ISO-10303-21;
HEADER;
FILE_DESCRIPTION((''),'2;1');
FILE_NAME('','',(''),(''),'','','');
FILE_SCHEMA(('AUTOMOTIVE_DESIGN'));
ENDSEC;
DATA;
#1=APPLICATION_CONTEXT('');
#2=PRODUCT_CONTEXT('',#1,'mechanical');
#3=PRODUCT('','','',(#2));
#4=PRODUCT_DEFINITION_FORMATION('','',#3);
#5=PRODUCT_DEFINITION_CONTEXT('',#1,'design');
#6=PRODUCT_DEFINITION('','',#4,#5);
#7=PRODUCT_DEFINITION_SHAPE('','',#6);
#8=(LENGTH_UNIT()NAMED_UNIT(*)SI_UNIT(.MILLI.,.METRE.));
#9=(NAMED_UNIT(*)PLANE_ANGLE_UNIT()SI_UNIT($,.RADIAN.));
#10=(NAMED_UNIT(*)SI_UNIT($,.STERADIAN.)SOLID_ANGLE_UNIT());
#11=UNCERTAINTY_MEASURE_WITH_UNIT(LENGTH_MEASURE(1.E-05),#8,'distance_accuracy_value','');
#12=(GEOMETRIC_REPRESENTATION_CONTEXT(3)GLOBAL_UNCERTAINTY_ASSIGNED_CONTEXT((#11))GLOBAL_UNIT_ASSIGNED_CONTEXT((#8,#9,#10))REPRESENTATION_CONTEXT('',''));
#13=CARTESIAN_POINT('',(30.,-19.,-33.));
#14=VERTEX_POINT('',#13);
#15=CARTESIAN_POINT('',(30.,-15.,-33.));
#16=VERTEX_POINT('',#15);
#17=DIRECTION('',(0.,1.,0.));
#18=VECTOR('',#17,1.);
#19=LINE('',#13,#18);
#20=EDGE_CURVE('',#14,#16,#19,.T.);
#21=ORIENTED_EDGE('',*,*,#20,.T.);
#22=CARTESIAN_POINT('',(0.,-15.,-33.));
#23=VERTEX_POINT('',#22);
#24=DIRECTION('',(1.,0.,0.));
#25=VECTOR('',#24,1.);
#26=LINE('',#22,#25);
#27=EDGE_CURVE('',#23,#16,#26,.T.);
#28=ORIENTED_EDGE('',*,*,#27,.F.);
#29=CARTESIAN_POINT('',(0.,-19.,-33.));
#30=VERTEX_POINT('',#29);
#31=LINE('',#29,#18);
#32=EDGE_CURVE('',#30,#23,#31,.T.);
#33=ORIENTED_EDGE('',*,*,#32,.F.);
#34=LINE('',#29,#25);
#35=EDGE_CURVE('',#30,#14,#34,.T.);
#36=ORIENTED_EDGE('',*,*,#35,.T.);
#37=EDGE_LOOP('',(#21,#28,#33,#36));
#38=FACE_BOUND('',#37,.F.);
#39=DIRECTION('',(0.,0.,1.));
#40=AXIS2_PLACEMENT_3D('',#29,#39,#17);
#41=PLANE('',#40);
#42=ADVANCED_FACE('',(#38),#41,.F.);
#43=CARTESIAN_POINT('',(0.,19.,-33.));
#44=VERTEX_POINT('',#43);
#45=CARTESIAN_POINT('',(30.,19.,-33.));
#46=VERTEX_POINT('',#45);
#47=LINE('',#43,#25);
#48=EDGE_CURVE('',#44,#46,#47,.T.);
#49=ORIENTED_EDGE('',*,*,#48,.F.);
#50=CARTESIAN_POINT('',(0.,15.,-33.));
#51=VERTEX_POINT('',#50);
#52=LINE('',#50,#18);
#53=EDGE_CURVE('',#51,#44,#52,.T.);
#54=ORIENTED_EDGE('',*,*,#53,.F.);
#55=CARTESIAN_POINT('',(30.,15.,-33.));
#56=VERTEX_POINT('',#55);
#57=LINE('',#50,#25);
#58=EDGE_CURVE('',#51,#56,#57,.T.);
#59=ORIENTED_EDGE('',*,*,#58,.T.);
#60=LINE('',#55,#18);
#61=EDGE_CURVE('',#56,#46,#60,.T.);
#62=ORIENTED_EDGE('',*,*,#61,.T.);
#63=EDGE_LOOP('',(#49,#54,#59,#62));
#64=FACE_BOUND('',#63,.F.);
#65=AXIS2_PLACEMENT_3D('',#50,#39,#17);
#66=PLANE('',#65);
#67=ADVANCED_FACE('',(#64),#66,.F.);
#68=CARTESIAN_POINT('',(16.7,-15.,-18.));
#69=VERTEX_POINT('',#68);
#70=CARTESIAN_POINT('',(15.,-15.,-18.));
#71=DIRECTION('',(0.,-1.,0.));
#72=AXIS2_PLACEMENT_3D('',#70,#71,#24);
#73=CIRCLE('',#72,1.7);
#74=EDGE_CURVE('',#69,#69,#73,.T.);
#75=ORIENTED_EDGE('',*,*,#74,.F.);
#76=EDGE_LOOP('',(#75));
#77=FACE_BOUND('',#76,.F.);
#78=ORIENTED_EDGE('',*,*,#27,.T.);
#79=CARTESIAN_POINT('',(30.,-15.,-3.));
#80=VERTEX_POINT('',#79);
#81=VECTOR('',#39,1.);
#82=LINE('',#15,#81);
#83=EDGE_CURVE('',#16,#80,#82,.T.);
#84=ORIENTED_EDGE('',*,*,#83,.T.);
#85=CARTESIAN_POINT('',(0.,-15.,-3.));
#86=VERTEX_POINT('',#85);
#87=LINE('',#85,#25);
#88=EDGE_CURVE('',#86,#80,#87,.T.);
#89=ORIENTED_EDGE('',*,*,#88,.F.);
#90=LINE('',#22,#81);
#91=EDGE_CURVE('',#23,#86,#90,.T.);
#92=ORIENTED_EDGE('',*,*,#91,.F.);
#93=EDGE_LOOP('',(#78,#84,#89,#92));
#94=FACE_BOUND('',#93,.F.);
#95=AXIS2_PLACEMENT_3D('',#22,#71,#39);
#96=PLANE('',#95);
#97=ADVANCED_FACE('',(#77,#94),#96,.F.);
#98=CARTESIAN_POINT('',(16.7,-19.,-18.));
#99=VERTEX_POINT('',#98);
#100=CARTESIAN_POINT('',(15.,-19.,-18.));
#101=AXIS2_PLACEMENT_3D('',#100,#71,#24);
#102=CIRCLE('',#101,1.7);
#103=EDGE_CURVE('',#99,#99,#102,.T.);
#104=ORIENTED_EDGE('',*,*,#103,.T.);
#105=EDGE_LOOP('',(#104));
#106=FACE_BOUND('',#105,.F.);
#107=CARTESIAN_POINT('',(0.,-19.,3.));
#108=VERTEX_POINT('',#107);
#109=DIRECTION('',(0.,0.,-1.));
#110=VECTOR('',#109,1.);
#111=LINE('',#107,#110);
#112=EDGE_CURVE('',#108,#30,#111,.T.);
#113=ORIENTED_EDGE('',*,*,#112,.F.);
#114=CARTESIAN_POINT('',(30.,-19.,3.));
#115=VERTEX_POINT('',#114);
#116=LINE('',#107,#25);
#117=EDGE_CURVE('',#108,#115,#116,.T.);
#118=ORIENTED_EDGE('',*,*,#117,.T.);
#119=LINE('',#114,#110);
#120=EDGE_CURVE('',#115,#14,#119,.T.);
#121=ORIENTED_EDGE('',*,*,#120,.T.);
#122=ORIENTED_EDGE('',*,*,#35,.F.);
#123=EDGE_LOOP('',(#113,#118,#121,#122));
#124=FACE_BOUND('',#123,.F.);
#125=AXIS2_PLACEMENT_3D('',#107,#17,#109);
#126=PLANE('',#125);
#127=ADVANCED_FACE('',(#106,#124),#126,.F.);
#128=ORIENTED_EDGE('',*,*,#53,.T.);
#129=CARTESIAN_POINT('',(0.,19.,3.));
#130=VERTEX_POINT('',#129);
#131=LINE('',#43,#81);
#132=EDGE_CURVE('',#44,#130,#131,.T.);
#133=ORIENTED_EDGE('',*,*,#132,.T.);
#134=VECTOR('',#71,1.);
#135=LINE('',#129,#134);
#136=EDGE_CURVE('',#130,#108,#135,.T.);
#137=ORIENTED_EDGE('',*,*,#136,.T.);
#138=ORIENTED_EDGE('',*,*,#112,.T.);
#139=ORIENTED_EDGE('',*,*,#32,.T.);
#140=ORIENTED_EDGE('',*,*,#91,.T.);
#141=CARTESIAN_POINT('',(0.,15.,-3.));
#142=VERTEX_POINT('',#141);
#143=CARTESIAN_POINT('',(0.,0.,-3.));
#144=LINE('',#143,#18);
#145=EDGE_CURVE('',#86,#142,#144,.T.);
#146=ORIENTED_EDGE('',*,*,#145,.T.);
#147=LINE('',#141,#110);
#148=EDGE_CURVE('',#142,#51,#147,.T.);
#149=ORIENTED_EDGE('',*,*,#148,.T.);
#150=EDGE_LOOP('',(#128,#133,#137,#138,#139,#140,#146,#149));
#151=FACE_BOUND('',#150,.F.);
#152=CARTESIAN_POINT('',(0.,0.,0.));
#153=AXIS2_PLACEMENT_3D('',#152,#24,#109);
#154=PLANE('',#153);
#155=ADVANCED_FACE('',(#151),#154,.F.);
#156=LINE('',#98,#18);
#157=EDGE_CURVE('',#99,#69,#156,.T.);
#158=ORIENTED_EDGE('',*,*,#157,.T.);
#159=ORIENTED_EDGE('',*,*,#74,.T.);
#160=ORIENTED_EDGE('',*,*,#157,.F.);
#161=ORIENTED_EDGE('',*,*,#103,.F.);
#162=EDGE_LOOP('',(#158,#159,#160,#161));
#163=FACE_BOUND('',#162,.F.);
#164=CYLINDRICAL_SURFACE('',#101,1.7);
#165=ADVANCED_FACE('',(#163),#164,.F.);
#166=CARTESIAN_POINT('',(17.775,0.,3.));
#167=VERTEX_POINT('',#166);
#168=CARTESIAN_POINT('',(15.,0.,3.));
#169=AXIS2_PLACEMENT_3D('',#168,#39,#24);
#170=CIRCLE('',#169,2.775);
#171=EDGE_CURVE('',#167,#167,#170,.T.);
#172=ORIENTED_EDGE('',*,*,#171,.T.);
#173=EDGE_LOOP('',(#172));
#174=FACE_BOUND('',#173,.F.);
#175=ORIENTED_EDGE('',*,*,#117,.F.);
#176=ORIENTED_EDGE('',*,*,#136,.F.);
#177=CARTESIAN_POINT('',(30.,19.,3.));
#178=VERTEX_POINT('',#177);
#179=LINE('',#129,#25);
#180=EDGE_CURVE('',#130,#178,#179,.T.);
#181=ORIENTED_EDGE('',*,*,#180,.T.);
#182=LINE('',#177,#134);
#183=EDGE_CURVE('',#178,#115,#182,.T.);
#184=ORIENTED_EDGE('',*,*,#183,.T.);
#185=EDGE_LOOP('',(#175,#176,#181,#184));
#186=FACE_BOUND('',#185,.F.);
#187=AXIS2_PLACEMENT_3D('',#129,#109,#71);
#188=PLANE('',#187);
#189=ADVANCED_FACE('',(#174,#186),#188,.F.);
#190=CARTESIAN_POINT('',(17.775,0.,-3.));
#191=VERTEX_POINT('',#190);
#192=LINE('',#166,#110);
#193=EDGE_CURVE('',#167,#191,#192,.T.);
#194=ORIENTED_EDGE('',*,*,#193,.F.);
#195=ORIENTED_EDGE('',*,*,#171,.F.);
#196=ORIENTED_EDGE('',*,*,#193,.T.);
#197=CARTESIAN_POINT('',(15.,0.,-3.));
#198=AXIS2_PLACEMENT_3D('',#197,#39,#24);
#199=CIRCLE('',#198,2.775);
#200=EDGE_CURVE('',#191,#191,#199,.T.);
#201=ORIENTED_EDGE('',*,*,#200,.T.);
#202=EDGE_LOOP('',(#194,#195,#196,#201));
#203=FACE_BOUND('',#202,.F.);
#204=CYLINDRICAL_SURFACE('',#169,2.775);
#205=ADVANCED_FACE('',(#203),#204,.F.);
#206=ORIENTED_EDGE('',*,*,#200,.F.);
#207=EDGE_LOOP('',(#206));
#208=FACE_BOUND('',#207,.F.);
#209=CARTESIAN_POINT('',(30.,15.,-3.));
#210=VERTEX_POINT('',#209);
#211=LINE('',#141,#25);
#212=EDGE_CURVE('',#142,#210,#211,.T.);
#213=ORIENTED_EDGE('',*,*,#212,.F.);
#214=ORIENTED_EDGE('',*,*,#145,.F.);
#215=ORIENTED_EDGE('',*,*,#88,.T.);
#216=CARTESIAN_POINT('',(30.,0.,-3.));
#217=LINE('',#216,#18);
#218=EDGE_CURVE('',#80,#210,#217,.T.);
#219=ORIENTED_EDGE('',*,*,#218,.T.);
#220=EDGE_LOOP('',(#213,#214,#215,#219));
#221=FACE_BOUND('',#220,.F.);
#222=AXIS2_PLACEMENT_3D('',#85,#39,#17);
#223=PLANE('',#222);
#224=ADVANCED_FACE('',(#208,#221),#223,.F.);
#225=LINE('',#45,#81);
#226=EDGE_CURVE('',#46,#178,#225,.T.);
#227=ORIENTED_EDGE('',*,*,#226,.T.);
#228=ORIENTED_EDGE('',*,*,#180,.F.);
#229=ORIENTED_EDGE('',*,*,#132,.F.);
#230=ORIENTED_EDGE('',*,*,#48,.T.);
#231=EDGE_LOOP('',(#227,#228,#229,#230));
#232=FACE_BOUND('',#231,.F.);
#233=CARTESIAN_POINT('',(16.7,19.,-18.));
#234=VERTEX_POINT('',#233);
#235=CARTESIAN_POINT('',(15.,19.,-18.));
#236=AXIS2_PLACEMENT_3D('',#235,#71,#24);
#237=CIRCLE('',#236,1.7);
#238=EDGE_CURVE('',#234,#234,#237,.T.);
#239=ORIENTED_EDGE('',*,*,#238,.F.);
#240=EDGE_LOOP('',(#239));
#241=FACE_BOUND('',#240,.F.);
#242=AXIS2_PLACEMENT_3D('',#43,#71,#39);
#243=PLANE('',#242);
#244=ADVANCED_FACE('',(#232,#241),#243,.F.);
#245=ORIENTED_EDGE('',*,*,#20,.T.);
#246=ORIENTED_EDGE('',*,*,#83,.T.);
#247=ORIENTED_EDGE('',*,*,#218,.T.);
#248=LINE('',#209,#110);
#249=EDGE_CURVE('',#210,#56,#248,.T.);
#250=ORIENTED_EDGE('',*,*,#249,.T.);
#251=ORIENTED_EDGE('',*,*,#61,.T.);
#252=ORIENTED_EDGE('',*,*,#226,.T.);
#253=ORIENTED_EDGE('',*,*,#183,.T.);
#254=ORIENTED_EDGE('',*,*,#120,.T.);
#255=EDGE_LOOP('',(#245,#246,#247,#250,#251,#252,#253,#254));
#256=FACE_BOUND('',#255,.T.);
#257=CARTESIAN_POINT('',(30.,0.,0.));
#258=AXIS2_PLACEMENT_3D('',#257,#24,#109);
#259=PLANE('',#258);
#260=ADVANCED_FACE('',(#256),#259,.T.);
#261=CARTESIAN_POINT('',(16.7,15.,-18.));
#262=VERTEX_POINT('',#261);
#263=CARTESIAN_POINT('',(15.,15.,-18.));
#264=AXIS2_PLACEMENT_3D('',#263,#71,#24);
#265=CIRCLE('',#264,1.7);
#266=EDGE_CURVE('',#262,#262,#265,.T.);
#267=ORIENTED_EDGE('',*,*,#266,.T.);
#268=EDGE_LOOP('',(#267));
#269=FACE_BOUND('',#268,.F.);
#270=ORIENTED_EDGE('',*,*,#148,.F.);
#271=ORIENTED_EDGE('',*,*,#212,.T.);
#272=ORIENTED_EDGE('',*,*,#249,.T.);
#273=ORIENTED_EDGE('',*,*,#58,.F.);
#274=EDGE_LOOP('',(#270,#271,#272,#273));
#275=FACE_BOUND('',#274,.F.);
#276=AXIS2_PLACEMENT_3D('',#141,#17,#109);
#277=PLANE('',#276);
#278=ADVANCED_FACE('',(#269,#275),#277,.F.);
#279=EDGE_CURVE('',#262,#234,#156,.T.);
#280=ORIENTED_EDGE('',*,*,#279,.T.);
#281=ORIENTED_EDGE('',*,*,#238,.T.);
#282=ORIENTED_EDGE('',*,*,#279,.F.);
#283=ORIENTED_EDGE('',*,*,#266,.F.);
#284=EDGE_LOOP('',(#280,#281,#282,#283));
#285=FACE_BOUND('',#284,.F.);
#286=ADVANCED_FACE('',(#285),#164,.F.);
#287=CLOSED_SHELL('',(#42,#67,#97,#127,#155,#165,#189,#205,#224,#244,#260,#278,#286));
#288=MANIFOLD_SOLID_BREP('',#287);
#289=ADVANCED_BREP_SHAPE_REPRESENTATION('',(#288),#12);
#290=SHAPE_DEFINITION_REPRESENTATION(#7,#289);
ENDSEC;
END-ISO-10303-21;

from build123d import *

# Parameters (mm, degrees)
SKETCH2_W           = 6
SKETCH2_H           = 30
BOSS_EXTRUDE1_DEPTH = 30
SKETCH4_R           = 2.775
CUT_EXTRUDE2_DEPTH  = 30
SKETCH5_R           = 1.7
CUT_EXTRUDE3_DEPTH  = 39


with BuildPart() as part:
    # Sketch2 → Boss-Extrude1 (new body)
    with BuildSketch(Plane(origin=(0, 0, 0), x_dir=(0, 0, -1), z_dir=(1, 0, 0))):
        Rectangle(SKETCH2_W, SKETCH2_H)
        Polygon((-3, 19), (-3, 15), (3, 15), (33, 15), (33, 19), align=None)
        Polygon((3, -15), (-3, -15), (-3, -19), (33, -19), (33, -15), align=None)
    extrude(amount=BOSS_EXTRUDE1_DEPTH)

    # Sketch4 → Cut-Extrude2 (cut)
    with BuildSketch(Plane.XY.offset(3)):
        with Locations((15, 0)):
            Circle(SKETCH4_R)
    extrude(amount=-CUT_EXTRUDE2_DEPTH, mode=Mode.SUBTRACT)

    # Sketch5 → Cut-Extrude3 (cut, through all)
    with BuildSketch(Plane.XZ.offset(19)):
        with Locations((15, -18)):
            Circle(SKETCH5_R)
    extrude(amount=-CUT_EXTRUDE3_DEPTH, mode=Mode.SUBTRACT)


solid = part.part
